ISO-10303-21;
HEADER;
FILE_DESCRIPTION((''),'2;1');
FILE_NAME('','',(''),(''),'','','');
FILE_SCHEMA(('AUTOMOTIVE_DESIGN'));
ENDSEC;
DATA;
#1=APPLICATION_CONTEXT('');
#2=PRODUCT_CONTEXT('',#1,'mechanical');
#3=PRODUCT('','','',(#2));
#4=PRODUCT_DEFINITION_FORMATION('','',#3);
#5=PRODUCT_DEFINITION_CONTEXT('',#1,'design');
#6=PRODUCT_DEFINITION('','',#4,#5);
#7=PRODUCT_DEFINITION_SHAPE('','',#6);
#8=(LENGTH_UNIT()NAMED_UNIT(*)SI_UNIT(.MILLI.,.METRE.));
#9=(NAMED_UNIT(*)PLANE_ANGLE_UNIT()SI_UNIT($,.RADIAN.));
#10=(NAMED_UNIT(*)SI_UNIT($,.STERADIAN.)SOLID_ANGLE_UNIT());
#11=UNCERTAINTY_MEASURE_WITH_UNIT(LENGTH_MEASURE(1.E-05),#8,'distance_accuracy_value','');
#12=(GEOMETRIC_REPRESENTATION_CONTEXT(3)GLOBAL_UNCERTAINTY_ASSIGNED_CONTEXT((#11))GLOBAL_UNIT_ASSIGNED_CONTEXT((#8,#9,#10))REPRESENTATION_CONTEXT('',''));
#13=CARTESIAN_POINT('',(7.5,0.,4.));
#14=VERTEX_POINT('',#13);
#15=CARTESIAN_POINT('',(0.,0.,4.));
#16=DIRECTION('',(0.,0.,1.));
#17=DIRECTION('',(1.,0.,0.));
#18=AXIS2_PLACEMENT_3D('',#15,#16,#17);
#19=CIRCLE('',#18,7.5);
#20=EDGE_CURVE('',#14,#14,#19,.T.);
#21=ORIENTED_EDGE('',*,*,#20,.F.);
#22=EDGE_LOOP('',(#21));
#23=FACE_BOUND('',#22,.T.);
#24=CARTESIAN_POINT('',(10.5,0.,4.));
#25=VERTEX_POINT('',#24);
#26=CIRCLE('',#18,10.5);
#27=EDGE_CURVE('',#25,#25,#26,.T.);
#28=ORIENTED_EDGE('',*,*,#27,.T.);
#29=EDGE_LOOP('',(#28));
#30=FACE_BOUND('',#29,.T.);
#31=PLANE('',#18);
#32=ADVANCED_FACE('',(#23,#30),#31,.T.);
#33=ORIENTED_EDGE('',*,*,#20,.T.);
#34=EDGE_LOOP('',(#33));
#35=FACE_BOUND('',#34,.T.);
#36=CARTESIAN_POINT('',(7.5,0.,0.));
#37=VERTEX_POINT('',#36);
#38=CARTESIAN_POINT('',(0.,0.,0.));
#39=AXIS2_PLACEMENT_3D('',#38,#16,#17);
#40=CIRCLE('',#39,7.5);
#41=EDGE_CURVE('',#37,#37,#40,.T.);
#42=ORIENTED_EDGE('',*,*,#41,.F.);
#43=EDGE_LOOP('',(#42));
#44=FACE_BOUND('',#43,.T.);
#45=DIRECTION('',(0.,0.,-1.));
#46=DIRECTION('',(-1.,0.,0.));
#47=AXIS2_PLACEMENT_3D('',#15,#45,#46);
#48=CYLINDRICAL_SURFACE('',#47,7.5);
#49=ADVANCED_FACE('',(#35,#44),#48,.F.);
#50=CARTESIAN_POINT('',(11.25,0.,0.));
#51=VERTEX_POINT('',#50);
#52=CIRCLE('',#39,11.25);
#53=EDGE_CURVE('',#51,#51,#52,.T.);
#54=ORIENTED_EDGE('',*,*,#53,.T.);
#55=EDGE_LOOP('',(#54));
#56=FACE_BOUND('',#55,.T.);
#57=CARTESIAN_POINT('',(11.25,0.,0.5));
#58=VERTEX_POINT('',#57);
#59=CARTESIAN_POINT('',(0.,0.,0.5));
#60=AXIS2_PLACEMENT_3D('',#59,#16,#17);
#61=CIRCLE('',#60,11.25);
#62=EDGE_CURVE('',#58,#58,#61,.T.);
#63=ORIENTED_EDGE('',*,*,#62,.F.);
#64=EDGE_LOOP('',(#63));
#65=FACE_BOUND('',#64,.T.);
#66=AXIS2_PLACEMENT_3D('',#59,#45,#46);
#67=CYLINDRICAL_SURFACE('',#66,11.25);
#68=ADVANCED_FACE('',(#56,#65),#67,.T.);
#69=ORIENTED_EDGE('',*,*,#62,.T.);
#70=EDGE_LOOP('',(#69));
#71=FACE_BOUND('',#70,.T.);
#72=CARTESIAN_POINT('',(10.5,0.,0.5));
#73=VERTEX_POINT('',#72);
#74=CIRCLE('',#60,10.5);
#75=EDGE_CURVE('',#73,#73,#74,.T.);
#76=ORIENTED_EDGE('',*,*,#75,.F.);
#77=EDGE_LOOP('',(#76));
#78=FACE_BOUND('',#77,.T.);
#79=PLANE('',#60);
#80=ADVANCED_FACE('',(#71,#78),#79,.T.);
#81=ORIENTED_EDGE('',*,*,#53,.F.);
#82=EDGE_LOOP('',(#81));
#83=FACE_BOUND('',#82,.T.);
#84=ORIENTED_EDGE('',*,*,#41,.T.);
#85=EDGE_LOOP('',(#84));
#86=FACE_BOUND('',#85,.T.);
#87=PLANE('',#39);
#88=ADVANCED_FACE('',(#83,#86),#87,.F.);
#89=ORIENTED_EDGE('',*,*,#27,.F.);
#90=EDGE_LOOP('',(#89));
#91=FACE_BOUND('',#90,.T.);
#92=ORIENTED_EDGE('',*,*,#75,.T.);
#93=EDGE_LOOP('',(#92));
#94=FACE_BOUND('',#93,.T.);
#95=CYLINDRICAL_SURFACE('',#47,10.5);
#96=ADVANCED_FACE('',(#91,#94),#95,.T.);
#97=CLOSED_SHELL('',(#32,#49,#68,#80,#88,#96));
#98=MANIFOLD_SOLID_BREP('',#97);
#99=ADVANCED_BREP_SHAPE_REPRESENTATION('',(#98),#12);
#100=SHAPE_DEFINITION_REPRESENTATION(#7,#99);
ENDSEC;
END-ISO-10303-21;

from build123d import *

# Parameters (mm, degrees)
SKETCH1_R           = 10.5
SKETCH1_R_2         = 7.5
BOSS_EXTRUDE1_DEPTH = 4
SKETCH1_3_R         = 11.25
SKETCH1_3_R_2       = 10.5
BOSS_EXTRUDE2_DEPTH = 0.5


with BuildPart() as part:
    # Sketch1 → Boss-Extrude1 (new body)
    with BuildSketch(Plane.XY):
        Circle(SKETCH1_R)
        Circle(SKETCH1_R_2, mode=Mode.SUBTRACT)
    extrude(amount=BOSS_EXTRUDE1_DEPTH)

    # Sketch1<3> → Boss-Extrude2 (add)
    with BuildSketch(Plane.XY):
        Circle(SKETCH1_3_R)
        Circle(SKETCH1_3_R_2, mode=Mode.SUBTRACT)
    extrude(amount=BOSS_EXTRUDE2_DEPTH)


solid = part.part
